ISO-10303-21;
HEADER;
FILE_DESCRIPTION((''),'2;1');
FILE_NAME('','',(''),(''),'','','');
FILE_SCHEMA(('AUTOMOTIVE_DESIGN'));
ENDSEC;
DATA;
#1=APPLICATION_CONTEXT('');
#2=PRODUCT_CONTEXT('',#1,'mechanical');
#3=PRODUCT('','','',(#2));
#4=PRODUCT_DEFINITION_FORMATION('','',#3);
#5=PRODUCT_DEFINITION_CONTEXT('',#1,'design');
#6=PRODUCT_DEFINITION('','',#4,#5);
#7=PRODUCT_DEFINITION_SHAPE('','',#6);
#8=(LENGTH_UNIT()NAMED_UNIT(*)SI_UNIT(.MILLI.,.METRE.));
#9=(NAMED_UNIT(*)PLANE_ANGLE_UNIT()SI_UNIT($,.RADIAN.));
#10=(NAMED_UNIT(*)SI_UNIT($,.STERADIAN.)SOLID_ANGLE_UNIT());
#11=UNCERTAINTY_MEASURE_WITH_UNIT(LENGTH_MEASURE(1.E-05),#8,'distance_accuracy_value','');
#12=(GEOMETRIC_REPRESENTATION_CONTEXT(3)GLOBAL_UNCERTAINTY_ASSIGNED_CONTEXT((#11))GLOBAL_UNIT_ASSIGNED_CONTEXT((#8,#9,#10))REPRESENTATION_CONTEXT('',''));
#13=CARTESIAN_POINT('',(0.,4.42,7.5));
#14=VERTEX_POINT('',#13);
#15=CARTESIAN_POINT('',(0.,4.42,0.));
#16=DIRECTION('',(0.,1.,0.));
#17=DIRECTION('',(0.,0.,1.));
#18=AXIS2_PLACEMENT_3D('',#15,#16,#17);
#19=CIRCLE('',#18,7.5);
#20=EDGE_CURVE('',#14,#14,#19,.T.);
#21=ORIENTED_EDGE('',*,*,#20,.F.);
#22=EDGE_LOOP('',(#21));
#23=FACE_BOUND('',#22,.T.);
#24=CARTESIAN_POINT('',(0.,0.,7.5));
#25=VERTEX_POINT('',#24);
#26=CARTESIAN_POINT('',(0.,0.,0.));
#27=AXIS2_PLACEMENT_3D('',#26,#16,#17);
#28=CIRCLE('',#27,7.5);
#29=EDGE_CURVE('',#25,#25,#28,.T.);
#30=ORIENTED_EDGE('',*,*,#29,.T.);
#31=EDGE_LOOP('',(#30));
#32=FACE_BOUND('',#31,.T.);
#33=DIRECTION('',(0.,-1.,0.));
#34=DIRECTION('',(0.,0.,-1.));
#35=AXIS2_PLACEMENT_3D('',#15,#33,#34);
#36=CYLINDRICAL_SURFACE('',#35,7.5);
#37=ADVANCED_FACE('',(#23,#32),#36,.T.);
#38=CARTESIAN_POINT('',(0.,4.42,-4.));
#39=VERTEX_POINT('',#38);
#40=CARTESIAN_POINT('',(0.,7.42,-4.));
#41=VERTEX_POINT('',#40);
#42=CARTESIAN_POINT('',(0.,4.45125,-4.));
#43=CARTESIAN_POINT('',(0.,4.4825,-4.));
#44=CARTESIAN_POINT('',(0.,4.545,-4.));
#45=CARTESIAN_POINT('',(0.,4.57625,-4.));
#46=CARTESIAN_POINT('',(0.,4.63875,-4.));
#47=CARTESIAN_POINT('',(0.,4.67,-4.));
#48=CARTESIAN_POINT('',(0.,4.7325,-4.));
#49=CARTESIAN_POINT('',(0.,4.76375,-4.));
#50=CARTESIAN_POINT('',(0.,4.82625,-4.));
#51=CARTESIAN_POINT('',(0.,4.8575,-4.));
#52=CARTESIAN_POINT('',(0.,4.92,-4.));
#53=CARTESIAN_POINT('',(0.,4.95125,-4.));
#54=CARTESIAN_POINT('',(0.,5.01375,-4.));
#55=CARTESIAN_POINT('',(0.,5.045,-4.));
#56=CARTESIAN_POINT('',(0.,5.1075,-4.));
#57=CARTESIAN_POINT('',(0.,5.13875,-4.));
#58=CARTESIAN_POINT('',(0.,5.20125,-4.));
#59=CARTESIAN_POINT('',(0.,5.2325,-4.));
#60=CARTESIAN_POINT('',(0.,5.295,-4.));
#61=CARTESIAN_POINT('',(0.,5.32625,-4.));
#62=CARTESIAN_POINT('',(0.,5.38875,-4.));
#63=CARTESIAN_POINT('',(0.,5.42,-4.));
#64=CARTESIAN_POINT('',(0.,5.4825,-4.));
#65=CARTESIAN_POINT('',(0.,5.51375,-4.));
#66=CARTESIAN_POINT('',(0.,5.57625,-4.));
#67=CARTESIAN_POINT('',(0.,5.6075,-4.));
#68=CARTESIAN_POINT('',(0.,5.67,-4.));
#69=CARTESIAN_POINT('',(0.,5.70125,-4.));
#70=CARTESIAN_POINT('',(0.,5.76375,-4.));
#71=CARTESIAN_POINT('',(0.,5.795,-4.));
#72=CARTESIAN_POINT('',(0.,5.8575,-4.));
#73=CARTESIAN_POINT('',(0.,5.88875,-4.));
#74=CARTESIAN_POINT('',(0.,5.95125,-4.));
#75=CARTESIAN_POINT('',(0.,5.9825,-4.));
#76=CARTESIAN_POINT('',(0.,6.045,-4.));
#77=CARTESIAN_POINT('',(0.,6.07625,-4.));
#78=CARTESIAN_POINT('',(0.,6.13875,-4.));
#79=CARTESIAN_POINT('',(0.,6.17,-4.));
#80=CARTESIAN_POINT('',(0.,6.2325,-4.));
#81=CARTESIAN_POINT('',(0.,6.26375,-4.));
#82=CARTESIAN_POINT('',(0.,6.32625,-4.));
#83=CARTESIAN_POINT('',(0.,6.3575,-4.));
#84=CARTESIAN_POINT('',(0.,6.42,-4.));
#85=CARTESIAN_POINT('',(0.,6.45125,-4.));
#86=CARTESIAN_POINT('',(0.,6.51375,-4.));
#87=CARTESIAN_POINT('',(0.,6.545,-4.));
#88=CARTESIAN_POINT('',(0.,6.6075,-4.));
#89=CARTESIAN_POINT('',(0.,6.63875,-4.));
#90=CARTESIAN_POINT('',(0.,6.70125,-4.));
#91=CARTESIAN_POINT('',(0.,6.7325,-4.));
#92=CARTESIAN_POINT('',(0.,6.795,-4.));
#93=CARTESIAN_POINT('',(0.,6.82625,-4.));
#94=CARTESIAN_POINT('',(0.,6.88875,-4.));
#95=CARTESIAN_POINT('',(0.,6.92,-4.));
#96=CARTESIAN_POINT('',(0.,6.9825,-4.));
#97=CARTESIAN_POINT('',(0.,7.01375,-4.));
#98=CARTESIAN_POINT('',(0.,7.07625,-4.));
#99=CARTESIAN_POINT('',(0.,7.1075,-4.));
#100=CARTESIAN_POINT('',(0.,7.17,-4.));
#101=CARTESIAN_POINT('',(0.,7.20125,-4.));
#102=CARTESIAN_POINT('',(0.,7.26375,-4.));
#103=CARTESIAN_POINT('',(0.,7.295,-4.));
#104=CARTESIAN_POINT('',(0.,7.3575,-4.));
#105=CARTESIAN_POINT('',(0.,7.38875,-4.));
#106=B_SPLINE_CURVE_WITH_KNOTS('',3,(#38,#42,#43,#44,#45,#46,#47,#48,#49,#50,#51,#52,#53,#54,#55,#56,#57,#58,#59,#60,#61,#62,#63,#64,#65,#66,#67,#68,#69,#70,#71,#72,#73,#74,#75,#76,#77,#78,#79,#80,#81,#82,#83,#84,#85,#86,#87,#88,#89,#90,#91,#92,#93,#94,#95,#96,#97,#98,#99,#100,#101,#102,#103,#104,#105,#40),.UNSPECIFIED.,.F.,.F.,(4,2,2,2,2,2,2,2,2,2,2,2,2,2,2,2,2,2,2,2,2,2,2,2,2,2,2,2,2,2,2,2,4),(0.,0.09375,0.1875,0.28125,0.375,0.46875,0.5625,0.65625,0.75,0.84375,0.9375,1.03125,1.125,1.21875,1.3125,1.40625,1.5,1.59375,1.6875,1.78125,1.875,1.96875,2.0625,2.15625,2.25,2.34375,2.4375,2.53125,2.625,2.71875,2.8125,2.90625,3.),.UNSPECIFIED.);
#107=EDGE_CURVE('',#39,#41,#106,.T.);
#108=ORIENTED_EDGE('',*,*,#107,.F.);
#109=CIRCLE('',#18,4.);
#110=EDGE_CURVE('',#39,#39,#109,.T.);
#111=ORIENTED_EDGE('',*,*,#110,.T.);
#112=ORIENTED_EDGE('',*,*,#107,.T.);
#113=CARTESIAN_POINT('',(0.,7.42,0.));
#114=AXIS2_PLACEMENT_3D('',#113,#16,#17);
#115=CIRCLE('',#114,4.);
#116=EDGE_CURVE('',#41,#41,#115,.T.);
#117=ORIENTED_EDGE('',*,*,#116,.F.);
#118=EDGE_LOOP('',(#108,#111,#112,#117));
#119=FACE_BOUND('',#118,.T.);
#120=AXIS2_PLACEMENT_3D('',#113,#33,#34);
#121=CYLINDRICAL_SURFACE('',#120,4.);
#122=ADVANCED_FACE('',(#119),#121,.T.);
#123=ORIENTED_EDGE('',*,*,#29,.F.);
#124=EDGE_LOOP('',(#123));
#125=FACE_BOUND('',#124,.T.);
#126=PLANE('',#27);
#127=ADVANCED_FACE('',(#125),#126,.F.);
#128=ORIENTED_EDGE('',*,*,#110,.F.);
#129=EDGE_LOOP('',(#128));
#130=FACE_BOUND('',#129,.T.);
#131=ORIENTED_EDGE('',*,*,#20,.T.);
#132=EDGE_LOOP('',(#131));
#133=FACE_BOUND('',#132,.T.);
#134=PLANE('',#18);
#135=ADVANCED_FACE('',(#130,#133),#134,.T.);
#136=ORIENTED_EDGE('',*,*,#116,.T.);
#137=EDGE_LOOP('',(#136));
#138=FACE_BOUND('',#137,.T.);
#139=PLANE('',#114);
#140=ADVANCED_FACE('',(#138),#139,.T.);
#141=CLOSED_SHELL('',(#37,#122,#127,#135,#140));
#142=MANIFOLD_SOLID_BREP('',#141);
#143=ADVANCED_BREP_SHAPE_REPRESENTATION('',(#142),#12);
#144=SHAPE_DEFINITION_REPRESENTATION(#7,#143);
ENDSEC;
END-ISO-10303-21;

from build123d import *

# Parameters (mm, degrees)
SKETCH1_R           = 7.5
SKETCH1_R_2         = 4
BOSS_EXTRUDE1_DEPTH = 4.42
SKETCH1_2_R         = 4
BOSS_EXTRUDE2_DEPTH = 7.42


with BuildPart() as part:
    # Sketch1 → Boss-Extrude1 (new body)
    with BuildSketch(Plane(origin=(0, 0, 0), x_dir=(1, 0, 0), z_dir=(0, 1, 0))):
        Circle(SKETCH1_R)
        Circle(SKETCH1_R_2, mode=Mode.SUBTRACT)
    extrude(amount=BOSS_EXTRUDE1_DEPTH)

    # Sketch1<2> → Boss-Extrude2 (add)
    with BuildSketch(Plane(origin=(0, 0, 0), x_dir=(1, 0, 0), z_dir=(0, 1, 0))):
        Circle(SKETCH1_2_R)
    extrude(amount=BOSS_EXTRUDE2_DEPTH)


solid = part.part
